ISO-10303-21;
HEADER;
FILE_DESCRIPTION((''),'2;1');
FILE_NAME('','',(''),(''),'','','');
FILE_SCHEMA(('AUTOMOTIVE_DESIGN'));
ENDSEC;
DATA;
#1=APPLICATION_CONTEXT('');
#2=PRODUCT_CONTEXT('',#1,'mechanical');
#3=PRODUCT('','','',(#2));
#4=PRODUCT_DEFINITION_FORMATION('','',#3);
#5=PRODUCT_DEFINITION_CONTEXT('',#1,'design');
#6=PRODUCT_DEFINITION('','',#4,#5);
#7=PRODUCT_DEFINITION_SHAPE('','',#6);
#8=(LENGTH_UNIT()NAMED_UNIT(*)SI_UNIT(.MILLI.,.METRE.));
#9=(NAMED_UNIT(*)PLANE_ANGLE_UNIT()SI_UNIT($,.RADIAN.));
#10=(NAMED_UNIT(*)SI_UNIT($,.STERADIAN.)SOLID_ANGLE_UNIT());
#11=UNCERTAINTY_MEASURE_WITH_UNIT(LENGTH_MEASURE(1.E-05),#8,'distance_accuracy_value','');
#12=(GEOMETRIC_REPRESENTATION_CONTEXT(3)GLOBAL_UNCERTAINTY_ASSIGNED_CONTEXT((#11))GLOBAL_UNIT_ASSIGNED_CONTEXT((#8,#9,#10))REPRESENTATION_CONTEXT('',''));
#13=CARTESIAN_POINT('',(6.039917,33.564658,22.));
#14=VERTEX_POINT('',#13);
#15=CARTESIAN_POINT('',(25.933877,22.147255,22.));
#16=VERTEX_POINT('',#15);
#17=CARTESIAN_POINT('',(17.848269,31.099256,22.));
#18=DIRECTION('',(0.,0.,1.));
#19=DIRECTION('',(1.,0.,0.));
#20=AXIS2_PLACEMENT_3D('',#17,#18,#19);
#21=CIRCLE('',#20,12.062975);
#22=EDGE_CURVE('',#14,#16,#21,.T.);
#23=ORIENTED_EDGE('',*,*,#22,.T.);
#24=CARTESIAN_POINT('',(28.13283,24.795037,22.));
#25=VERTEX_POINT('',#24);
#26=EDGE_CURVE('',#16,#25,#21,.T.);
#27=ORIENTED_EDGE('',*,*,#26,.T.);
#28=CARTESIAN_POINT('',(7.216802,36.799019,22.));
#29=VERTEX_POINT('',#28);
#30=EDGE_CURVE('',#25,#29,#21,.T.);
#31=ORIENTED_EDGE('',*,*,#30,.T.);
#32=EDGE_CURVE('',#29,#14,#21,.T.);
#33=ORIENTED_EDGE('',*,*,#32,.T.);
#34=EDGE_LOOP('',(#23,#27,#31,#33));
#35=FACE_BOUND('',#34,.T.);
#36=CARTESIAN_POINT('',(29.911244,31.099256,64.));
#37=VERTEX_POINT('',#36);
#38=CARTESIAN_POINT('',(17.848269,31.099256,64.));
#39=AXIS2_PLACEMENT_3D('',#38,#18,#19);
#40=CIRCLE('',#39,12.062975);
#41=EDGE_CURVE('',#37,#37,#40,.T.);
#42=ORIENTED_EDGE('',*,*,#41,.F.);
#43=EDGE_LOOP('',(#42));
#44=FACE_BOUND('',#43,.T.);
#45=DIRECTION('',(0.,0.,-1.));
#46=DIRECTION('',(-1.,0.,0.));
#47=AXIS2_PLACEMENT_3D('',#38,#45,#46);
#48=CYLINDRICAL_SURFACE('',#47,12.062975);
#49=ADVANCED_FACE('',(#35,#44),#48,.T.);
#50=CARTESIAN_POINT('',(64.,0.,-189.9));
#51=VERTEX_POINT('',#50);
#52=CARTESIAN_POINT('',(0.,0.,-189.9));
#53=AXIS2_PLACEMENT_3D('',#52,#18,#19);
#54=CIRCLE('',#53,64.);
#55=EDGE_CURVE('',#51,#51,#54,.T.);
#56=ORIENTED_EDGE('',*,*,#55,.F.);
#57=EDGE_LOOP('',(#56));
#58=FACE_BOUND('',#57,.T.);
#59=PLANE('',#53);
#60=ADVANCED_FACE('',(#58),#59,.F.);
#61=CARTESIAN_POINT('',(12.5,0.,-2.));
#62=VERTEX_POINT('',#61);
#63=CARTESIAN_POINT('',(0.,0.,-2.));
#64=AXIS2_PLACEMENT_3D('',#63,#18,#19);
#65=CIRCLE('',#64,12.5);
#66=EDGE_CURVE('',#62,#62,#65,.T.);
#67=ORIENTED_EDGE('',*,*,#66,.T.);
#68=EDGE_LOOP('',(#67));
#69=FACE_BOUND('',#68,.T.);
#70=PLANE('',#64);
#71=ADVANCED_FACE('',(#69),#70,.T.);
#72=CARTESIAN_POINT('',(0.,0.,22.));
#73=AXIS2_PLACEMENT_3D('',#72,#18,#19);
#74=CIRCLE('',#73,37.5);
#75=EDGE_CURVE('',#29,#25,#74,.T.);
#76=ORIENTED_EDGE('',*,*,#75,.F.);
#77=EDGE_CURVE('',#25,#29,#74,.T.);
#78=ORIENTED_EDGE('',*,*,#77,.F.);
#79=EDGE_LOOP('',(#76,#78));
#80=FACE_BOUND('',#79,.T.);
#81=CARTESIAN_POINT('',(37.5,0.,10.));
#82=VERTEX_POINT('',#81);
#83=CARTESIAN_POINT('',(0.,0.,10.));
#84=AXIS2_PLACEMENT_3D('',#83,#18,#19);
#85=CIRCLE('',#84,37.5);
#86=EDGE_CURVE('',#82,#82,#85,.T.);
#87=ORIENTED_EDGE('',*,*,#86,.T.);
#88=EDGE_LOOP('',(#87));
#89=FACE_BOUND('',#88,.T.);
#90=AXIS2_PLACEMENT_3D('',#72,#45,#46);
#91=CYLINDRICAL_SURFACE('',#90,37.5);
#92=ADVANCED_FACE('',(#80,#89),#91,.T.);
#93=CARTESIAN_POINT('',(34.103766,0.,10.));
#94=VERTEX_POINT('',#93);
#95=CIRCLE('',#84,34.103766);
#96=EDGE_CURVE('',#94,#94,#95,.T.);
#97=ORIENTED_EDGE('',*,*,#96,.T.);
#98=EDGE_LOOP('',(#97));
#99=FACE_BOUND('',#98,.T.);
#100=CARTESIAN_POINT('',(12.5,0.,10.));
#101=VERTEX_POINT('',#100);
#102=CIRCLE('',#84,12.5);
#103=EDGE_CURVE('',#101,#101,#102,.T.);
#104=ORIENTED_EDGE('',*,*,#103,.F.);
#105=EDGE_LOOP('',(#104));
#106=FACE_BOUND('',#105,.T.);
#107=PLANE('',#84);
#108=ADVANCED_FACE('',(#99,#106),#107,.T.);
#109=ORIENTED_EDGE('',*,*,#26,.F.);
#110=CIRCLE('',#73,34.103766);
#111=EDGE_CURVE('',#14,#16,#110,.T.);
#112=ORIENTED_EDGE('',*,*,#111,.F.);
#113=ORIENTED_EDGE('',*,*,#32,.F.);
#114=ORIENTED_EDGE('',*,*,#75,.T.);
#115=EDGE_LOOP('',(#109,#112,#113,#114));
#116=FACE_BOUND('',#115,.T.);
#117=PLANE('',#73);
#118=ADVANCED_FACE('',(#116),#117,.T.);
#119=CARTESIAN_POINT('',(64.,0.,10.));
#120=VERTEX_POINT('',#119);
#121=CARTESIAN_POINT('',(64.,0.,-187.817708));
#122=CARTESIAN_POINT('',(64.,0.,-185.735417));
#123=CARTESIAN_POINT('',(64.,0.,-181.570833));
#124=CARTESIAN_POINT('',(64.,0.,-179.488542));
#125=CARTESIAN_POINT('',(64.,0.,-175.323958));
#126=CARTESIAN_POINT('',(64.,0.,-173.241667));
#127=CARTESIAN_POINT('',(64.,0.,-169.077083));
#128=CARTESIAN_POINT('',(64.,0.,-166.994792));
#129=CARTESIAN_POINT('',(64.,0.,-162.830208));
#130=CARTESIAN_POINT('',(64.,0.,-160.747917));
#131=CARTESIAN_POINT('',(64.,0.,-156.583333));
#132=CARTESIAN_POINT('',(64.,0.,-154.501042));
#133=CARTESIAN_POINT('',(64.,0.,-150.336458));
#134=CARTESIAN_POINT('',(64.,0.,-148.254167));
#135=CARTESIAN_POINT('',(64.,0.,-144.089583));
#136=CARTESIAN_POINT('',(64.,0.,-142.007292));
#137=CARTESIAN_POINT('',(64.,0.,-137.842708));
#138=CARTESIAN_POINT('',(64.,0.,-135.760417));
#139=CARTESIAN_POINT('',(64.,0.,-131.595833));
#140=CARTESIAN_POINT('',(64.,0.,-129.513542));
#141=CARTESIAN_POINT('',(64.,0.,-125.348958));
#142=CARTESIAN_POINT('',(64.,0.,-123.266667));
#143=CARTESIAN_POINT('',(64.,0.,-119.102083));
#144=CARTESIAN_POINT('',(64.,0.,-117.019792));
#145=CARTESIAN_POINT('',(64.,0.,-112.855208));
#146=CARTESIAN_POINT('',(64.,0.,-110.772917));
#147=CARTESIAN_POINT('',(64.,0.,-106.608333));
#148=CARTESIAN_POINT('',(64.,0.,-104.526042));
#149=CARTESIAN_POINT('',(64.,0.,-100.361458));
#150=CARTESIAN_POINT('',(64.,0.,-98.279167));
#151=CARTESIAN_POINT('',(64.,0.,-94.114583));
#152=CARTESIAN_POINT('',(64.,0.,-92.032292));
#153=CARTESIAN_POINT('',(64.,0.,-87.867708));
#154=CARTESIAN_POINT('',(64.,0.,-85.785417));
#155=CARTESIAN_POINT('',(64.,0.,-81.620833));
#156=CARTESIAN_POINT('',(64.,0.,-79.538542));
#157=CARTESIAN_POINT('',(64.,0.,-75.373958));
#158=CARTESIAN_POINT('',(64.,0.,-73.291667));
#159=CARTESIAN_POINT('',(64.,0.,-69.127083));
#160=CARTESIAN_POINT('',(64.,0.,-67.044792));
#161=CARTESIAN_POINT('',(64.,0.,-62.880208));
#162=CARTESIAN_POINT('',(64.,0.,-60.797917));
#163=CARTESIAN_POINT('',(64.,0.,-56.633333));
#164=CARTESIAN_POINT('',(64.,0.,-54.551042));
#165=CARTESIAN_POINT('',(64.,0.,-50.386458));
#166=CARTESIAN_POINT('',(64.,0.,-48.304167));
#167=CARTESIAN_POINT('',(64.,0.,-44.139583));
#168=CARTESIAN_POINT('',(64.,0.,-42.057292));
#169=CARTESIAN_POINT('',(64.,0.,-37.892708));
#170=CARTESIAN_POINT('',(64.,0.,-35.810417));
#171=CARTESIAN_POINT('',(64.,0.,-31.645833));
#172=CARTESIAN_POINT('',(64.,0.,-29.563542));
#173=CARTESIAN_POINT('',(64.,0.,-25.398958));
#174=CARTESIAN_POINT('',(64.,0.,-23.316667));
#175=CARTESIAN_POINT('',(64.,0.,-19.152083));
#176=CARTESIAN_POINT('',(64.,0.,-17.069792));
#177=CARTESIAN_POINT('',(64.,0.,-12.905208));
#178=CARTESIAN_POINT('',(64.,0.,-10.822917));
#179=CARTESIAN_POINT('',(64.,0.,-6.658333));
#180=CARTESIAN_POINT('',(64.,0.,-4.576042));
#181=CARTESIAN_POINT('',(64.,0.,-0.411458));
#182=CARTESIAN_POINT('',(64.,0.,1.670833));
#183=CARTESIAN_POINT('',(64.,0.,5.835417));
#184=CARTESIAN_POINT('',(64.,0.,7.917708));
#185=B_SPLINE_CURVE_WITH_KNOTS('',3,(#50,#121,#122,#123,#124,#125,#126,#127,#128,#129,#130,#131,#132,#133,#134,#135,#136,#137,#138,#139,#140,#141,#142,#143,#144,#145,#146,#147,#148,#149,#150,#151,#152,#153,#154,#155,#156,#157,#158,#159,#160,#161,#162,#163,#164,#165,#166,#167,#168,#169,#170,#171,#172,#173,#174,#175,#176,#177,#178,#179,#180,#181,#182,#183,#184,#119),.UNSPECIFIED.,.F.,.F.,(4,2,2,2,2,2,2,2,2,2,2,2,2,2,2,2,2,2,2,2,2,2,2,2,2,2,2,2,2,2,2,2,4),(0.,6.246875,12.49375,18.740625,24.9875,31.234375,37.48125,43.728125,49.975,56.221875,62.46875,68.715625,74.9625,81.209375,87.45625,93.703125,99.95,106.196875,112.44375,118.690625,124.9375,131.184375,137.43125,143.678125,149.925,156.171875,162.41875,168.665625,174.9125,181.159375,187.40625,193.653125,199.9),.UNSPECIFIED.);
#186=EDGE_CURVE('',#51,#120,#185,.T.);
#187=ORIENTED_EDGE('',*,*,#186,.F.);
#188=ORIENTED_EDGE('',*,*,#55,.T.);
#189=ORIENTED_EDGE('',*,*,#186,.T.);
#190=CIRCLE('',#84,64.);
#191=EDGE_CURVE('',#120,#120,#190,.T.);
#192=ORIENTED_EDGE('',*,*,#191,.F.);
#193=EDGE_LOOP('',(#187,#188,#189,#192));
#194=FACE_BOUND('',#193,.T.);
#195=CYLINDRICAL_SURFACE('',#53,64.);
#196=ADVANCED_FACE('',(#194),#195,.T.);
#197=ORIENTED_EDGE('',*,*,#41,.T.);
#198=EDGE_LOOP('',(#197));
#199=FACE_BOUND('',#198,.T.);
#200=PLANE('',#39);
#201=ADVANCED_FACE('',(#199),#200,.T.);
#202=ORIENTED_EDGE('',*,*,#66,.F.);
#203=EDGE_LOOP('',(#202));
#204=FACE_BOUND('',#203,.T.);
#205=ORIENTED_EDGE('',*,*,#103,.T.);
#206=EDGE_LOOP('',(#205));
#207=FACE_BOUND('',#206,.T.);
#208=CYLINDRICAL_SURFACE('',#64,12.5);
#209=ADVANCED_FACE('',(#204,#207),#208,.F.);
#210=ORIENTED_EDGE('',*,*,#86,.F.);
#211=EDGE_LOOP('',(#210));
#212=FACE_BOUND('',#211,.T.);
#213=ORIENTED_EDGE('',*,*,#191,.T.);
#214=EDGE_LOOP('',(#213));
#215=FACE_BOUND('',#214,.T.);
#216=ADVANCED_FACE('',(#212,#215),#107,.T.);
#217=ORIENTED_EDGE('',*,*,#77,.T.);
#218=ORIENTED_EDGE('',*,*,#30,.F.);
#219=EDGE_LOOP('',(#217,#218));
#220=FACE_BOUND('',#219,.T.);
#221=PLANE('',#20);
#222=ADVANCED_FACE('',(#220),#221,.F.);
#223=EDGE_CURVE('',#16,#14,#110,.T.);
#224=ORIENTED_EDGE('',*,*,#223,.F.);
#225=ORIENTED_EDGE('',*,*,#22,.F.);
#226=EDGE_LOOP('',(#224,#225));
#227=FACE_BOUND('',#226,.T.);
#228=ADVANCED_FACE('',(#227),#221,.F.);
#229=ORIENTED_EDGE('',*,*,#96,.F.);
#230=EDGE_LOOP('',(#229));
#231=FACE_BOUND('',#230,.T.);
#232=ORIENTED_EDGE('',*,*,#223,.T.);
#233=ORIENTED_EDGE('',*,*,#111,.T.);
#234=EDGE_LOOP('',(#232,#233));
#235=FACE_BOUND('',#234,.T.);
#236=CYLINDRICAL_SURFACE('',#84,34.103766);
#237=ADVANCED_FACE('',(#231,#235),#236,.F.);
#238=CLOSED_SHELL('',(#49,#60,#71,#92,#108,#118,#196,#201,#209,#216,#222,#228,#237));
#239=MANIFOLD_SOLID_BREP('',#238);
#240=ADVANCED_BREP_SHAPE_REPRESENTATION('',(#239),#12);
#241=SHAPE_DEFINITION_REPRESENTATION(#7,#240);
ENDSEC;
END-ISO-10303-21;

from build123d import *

# Parameters (mm, degrees)
BOSS_EXTRUDE1_DEPTH      = 10
BOSS_EXTRUDE1_DEPTH_BACK = 189.9
SKETCH1_R                = 64
SKETCH3_R                = 37.5
BOSS_EXTRUDE2_DEPTH      = 12
SKETCH4_R                = 34.103766087
CUT_EXTRUDE1_DEPTH       = 12
SKETCH5_R                = 12.5
CUT_EXTRUDE2_DEPTH       = 12
SKETCH11_R               = 12.062975476
BOSS_EXTRUDE5_DEPTH      = 42


with BuildPart() as part:
    # Sketch1 → Boss-Extrude1 (new, two sides: drawn at the far end of the back side and taken through both)
    with BuildSketch(Plane.XY.offset(-BOSS_EXTRUDE1_DEPTH_BACK)):
        Circle(SKETCH1_R)
    extrude(amount=BOSS_EXTRUDE1_DEPTH + BOSS_EXTRUDE1_DEPTH_BACK)

    # Sketch3 → Boss-Extrude2 (add)
    with BuildSketch(Plane.XY.offset(10)):
        Circle(SKETCH3_R)
    extrude(amount=BOSS_EXTRUDE2_DEPTH)

    # Sketch4 → Cut-Extrude1 (cut)
    with BuildSketch(Plane.XY.offset(22)):
        Circle(SKETCH4_R)
    extrude(amount=-CUT_EXTRUDE1_DEPTH, mode=Mode.SUBTRACT)

    # Sketch5 → Cut-Extrude2 (cut)
    with BuildSketch(Plane.XY.offset(10)):
        Circle(SKETCH5_R)
    extrude(amount=-CUT_EXTRUDE2_DEPTH, mode=Mode.SUBTRACT)

    # Sketch11 → Boss-Extrude5 (add)
    with BuildSketch(Plane.XY.offset(22)):
        with Locations(Location((17.84826857, 31.099255842, 0), (0, 0, 168.206932432))):
            Circle(SKETCH11_R)
    extrude(amount=BOSS_EXTRUDE5_DEPTH)


solid = part.part
